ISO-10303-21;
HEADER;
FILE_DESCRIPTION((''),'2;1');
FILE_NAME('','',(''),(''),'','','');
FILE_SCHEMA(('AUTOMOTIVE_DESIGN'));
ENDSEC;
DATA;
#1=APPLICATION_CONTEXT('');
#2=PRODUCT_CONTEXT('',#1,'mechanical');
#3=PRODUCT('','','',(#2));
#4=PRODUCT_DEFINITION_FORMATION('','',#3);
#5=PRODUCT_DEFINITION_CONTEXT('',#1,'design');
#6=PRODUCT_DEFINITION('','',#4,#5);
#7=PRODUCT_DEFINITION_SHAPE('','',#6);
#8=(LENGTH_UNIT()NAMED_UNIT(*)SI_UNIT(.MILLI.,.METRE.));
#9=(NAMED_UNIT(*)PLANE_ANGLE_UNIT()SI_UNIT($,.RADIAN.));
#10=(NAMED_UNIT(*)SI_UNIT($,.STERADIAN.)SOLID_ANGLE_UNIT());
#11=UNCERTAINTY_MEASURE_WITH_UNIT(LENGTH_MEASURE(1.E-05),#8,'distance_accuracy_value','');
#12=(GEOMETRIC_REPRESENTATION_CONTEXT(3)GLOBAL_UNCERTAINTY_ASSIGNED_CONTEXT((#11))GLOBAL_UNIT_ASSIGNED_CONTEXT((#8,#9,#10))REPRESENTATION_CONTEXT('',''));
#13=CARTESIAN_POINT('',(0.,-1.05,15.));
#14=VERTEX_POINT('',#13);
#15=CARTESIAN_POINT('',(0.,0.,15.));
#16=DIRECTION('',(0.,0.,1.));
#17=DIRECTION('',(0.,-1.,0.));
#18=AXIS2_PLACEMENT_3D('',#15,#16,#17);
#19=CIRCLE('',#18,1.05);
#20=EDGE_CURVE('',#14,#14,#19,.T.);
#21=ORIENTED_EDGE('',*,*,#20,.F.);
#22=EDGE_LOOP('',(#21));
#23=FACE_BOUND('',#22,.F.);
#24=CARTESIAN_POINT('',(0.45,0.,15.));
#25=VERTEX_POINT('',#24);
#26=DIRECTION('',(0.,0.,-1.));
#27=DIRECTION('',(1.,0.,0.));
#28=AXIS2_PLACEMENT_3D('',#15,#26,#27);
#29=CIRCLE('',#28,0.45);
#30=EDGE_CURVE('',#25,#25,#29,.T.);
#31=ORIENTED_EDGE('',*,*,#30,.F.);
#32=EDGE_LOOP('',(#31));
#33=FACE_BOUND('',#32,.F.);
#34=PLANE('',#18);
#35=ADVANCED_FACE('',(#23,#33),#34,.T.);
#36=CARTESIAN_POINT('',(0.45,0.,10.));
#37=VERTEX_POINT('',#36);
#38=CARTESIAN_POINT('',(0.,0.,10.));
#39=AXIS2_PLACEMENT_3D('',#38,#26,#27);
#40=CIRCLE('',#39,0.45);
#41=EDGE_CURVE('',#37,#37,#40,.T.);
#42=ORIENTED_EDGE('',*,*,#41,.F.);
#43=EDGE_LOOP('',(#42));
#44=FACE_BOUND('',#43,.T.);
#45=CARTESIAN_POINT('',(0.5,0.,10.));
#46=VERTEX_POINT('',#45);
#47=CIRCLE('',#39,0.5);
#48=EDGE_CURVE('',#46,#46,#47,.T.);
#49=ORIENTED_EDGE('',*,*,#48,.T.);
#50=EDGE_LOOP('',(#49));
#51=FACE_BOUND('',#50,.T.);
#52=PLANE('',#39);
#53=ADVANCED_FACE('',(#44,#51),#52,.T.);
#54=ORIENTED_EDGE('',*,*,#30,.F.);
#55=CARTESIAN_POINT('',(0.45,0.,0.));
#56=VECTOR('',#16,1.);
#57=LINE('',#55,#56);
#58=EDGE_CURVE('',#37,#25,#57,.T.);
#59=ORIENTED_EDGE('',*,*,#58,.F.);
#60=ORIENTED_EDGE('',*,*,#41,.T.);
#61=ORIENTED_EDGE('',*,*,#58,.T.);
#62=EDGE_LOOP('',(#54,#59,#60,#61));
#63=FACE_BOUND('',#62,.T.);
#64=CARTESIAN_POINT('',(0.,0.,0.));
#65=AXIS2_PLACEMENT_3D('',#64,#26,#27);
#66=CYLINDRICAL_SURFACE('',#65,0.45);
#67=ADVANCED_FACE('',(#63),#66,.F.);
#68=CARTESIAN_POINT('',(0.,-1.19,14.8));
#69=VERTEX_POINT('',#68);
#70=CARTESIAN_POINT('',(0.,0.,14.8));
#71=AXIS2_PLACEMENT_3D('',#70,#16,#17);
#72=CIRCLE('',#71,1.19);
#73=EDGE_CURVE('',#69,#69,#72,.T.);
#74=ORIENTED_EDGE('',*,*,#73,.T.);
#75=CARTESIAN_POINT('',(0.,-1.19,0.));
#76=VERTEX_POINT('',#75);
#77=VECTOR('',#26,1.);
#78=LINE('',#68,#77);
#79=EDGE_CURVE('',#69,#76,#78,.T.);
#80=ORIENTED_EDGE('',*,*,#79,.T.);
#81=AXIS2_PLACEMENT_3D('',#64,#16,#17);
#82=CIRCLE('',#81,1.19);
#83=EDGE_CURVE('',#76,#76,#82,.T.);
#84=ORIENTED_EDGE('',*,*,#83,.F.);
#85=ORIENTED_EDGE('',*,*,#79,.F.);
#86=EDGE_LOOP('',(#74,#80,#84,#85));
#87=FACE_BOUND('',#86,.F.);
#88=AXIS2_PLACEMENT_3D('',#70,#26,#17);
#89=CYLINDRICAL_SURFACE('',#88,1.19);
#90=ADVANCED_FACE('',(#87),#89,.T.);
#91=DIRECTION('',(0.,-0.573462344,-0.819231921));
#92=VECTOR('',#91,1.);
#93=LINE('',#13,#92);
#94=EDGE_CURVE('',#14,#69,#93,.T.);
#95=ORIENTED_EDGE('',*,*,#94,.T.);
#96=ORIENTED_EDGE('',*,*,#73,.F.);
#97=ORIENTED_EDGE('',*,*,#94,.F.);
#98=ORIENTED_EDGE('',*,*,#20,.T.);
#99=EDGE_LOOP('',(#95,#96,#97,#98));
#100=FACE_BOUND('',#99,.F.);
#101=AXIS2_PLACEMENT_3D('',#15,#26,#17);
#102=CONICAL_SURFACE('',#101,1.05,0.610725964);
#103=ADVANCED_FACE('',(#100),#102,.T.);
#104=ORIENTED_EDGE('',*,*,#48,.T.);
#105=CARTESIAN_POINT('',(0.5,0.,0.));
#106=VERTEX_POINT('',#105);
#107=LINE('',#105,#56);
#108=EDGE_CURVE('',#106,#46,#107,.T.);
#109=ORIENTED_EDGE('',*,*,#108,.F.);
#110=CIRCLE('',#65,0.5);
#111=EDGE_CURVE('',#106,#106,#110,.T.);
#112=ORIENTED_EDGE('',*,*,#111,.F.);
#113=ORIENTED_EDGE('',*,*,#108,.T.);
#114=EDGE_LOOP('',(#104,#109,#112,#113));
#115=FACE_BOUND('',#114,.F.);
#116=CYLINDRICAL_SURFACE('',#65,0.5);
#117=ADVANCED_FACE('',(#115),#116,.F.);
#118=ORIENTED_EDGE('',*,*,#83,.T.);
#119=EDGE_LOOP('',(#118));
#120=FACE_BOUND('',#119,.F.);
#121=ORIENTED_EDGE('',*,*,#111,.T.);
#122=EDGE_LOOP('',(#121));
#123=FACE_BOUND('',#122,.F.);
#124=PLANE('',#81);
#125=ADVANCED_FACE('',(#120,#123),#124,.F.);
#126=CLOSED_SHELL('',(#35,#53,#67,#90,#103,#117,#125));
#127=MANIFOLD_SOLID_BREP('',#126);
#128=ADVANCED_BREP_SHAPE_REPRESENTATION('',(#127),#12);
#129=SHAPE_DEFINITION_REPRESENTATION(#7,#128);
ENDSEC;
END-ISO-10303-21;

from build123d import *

# Parameters (mm, degrees)
F2_R     = 0.45
F3_DEPTH = 100
F4_R     = 0.5
F5_DEPTH = 10


with BuildPart() as f1:
    # F0 (on Right) → F1 (revolve)
    with BuildSketch(Plane.YZ):
        Polygon((-1.19, 0), (0, 0), (0, 15), (-1.05, 15), (-1.19, 14.8), align=None)
    revolve(axis=Axis((0, 0, 7.5), (0, 0, 1)))

    # F2 (on Top) → F3 (cut)
    with BuildSketch(Plane.XY):
        Circle(F2_R)
    extrude(amount=F3_DEPTH, mode=Mode.SUBTRACT)

    # F4 (on face) → F5 (cut)
    with BuildSketch(Plane(origin=(0, 0, 0), x_dir=(1, 0, 0), z_dir=(0, 0, -1))):
        Circle(F4_R)
    extrude(amount=-F5_DEPTH, mode=Mode.SUBTRACT)


solid = f1.part
